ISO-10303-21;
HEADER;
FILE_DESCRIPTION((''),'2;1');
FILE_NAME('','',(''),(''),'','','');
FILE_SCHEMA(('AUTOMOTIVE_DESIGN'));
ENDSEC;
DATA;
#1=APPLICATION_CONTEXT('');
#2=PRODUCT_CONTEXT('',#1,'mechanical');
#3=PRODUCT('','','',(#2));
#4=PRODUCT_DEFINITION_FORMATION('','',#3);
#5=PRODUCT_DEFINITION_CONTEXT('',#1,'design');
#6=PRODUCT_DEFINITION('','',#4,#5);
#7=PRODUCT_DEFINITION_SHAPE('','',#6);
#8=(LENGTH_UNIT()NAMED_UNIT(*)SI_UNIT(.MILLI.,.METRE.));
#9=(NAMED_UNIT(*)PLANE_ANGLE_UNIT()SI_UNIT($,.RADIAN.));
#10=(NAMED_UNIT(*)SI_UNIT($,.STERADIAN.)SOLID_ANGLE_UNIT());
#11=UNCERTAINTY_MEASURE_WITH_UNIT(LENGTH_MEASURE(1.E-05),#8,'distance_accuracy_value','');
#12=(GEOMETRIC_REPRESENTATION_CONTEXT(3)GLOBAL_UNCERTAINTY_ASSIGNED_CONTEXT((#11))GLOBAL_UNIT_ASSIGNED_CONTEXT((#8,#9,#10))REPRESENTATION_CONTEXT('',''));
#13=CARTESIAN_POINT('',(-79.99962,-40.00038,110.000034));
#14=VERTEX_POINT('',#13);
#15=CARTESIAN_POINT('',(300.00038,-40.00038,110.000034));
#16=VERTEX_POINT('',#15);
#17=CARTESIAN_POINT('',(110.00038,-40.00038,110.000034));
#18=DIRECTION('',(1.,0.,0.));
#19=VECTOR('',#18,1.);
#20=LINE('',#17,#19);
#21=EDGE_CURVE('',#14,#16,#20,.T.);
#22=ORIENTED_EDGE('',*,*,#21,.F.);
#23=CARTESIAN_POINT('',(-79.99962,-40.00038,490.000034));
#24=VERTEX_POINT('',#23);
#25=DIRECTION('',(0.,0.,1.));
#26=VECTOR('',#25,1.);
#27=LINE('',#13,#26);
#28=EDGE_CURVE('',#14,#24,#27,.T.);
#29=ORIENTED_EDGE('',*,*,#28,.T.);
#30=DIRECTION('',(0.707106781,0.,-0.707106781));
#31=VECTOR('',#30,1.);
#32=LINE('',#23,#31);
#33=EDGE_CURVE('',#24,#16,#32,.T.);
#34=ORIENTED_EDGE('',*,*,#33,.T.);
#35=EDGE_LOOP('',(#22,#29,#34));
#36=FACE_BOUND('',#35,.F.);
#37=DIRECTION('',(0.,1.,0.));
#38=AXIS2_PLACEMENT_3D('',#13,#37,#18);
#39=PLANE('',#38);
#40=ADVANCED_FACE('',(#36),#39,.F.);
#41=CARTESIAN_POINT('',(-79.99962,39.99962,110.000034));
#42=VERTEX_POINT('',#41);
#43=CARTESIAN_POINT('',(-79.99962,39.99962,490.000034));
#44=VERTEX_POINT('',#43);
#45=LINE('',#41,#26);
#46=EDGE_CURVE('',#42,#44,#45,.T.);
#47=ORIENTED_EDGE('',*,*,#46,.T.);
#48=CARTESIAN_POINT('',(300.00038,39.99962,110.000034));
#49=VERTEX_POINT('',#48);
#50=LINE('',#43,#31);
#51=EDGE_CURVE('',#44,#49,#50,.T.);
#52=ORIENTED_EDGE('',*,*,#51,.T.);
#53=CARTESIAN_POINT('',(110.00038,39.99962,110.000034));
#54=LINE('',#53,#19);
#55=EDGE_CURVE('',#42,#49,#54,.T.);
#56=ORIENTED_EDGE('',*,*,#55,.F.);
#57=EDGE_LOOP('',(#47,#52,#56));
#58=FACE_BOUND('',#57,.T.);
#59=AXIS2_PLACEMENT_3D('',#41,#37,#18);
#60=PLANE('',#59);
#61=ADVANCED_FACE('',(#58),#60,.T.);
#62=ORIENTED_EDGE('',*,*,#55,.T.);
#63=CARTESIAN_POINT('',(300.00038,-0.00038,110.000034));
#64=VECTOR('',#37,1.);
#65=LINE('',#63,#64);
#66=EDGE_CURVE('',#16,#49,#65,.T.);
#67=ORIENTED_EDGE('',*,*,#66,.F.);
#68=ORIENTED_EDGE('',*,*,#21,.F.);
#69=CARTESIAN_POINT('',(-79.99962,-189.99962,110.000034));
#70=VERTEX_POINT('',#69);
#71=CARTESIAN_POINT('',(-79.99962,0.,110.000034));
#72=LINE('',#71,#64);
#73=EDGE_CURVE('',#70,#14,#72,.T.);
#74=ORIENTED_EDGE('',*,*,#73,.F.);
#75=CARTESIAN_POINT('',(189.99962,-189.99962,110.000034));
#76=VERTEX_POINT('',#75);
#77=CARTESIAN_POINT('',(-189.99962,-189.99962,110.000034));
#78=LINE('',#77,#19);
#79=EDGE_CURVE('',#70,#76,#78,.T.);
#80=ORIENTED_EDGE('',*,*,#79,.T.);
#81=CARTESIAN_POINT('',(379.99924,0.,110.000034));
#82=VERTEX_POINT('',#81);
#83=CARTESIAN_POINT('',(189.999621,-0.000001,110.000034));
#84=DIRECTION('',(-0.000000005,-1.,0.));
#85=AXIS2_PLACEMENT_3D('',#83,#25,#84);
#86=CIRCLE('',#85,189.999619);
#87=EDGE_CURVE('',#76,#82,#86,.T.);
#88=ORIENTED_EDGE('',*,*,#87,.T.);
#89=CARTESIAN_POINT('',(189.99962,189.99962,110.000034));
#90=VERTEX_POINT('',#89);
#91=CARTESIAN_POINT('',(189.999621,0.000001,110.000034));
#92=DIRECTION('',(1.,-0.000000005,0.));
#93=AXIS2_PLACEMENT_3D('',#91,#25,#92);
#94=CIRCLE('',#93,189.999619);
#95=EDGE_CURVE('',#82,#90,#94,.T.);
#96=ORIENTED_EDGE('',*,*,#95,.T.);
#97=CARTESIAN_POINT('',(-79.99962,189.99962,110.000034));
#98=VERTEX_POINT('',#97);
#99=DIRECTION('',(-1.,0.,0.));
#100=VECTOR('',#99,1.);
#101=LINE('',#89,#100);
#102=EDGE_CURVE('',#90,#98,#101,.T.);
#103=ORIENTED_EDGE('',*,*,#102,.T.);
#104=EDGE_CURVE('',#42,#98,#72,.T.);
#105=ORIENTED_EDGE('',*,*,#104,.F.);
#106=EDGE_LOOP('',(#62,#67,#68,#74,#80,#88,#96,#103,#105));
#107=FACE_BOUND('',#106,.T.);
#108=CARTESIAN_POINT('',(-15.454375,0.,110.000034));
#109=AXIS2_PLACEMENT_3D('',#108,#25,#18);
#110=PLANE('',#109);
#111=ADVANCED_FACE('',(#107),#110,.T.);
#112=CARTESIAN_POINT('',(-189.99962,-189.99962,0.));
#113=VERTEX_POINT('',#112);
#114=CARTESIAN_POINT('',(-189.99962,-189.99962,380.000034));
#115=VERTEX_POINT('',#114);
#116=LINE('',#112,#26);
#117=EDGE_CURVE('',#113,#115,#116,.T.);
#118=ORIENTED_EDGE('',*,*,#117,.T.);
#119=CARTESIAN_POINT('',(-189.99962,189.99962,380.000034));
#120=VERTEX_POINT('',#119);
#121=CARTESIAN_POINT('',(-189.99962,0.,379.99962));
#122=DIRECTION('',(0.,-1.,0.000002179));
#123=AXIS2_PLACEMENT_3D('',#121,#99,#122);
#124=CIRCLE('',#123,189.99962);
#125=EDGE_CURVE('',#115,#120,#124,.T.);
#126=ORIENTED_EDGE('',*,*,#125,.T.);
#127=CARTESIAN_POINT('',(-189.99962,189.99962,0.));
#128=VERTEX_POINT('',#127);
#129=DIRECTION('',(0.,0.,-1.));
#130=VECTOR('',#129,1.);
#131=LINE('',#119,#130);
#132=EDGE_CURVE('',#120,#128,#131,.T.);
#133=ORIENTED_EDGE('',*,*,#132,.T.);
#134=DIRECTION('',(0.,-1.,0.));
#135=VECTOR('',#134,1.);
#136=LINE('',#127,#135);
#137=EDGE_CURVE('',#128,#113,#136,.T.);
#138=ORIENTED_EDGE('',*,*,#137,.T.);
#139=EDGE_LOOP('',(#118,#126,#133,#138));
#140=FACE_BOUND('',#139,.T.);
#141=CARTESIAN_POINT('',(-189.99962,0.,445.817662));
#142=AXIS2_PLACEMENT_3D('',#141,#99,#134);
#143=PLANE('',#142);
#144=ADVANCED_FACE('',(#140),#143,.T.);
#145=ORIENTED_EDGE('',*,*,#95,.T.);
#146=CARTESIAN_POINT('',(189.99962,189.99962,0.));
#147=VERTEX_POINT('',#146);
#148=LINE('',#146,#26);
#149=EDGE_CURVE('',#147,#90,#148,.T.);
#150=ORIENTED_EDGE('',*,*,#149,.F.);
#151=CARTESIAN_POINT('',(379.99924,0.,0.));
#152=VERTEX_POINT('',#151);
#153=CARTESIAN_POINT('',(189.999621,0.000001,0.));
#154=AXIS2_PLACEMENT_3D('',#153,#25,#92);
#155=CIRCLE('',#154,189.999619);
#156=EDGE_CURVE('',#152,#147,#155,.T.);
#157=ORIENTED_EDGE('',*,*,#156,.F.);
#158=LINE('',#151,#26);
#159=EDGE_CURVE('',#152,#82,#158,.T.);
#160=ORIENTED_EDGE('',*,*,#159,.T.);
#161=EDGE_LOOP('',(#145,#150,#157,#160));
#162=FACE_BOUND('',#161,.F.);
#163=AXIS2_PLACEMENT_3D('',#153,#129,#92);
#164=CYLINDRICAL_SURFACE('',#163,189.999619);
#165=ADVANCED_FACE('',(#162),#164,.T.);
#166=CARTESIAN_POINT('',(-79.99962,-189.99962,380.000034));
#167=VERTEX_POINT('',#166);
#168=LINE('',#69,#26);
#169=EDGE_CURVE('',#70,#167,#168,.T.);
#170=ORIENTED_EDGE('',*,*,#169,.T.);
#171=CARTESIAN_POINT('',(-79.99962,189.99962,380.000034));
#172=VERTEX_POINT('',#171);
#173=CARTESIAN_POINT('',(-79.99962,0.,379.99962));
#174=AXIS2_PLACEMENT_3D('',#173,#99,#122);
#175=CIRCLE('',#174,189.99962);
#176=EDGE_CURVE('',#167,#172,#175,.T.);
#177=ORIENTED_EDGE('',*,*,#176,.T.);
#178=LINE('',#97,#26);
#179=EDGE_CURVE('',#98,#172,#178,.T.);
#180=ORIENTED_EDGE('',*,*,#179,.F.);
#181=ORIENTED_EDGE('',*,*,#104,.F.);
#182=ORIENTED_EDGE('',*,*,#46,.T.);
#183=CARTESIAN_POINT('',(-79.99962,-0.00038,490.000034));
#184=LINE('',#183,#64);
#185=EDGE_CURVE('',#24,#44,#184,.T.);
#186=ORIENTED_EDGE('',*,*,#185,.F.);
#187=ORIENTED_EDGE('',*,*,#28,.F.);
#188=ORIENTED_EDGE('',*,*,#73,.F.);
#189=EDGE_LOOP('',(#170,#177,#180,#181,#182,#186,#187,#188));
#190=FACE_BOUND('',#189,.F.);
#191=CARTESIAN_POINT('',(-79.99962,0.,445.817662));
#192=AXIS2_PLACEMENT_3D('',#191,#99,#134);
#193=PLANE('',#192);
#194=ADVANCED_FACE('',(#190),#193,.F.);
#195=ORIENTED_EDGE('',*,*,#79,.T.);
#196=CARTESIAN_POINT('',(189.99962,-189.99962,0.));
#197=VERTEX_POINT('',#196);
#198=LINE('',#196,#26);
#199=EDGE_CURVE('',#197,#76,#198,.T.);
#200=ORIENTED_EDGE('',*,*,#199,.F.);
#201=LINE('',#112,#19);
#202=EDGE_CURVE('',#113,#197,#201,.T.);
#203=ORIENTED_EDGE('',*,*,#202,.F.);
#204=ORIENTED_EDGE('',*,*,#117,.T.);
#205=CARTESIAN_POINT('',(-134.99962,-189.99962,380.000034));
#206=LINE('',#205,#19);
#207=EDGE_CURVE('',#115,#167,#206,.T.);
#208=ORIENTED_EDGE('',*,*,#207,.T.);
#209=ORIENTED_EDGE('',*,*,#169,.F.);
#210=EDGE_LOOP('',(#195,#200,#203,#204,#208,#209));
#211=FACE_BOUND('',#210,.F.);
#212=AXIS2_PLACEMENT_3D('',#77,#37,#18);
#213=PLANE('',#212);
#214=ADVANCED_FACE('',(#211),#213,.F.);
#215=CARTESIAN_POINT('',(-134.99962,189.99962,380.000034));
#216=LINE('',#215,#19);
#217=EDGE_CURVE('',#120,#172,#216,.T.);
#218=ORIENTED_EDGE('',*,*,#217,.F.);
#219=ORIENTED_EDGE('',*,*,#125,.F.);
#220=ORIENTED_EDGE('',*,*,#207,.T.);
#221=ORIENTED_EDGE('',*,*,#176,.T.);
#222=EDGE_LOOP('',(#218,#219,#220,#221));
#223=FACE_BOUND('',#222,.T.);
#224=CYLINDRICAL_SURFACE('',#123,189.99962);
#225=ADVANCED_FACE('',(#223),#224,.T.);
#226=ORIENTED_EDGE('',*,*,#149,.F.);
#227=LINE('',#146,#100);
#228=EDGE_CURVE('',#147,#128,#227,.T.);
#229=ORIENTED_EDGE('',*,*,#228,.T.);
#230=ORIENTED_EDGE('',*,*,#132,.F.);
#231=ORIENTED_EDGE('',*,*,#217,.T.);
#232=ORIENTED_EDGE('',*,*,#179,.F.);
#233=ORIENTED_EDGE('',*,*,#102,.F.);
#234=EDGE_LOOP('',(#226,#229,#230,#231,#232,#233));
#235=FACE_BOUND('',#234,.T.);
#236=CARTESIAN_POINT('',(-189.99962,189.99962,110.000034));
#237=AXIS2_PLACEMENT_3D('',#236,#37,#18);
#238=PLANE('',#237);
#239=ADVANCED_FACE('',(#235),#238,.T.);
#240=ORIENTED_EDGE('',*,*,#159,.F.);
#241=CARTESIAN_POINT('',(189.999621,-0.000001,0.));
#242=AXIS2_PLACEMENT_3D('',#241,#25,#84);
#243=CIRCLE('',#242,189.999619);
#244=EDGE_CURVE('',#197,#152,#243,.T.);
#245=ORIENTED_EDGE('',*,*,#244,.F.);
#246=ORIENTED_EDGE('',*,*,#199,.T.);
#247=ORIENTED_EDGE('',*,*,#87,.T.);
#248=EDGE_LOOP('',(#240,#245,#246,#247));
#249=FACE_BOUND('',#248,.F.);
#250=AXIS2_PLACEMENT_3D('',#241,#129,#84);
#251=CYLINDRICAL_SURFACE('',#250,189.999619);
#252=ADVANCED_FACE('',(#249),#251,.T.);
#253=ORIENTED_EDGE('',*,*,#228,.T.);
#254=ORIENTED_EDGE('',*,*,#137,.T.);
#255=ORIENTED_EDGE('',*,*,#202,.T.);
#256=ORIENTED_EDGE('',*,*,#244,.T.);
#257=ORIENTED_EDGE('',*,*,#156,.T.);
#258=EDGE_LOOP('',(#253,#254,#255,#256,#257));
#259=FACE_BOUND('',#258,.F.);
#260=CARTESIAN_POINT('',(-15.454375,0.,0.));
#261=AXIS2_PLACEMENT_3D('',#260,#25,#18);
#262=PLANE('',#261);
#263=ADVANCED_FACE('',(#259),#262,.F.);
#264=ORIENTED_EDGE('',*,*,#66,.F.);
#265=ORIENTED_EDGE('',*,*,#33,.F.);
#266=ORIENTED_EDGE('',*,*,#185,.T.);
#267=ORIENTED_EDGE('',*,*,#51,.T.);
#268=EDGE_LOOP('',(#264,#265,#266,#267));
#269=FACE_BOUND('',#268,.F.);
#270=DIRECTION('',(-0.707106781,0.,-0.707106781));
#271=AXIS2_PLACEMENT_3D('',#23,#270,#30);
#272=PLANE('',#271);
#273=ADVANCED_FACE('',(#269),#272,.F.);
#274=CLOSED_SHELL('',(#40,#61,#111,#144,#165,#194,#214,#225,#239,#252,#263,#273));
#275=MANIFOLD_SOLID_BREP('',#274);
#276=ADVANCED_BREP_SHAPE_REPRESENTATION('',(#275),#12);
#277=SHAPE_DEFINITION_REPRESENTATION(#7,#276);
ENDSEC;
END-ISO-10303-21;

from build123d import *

# Parameters (mm, degrees)
F1_DEPTH = 110.000034
F2_W     = 110
F2_H     = 379.99924
F3_DEPTH = 270
F5_DEPTH = 110
F6_W     = 380
F6_H     = 80
F7_DEPTH = 380
F9_DEPTH = 80


with BuildPart() as f1:
    # F0 (on Top) → F1 (new body)
    with BuildSketch(Plane.XY):
        with BuildLine():
            ThreePointArc((189.99962, -189.99962), (0, 0), (189.99962, 189.99962))
            Line((189.99962, 189.99962), (-189.99962, 189.99962))
            Line((-189.99962, 189.99962), (-189.99962, -189.99962))
            Line((-189.99962, -189.99962), (189.99962, -189.99962))
        make_face()
        with BuildLine():
            ThreePointArc((379.99924, 0), (324.34964, 134.35002), (189.99962, 189.99962))
            Line((189.99962, 189.99962), (189.99962, -189.99962))
            ThreePointArc((189.99962, -189.99962), (324.34964, -134.35002), (379.99924, 0))
        make_face()
        with BuildLine():
            Line((189.99962, -189.99962), (189.99962, 189.99962))
            ThreePointArc((189.99962, 189.99962), (0, 0), (189.99962, -189.99962))
        make_face()
    extrude(amount=F1_DEPTH)

    # F2 (on face) → F3 (join)
    with BuildSketch(Plane.XY.offset(110.000034)):
        with Locations((-134.99962, 0)):
            Rectangle(F2_W, F2_H)
    extrude(amount=F3_DEPTH)

    # F4 (on face) → F5 (join)
    with BuildSketch(Plane(origin=(-189.99962, 0, 0), x_dir=(0, -1, 0), z_dir=(-1, 0, 0))):
        with BuildLine():
            Line((-189.99962, 380.000034), (189.99962, 380.000034))
            ThreePointArc((189.99962, 380.000034), (0, 569.99924), (-189.99962, 380.000034))
        make_face()
    extrude(amount=-F5_DEPTH)

    # F6 (on face) → F7 (join)
    with BuildSketch(Plane.XY.offset(110.000034)):
        with Locations((110.00038, -0.00038)):
            Rectangle(F6_W, F6_H)
    extrude(amount=F7_DEPTH)

    # F8 (on face) → F9 (cut, through all)
    with BuildSketch(Plane.XZ.offset(40.00038)):
        Polygon((300.00038, 490.000034), (-79.99962, 490.000034), (300.00038, 110.000034), align=None)
    extrude(amount=-F9_DEPTH, mode=Mode.SUBTRACT)


solid = f1.part
